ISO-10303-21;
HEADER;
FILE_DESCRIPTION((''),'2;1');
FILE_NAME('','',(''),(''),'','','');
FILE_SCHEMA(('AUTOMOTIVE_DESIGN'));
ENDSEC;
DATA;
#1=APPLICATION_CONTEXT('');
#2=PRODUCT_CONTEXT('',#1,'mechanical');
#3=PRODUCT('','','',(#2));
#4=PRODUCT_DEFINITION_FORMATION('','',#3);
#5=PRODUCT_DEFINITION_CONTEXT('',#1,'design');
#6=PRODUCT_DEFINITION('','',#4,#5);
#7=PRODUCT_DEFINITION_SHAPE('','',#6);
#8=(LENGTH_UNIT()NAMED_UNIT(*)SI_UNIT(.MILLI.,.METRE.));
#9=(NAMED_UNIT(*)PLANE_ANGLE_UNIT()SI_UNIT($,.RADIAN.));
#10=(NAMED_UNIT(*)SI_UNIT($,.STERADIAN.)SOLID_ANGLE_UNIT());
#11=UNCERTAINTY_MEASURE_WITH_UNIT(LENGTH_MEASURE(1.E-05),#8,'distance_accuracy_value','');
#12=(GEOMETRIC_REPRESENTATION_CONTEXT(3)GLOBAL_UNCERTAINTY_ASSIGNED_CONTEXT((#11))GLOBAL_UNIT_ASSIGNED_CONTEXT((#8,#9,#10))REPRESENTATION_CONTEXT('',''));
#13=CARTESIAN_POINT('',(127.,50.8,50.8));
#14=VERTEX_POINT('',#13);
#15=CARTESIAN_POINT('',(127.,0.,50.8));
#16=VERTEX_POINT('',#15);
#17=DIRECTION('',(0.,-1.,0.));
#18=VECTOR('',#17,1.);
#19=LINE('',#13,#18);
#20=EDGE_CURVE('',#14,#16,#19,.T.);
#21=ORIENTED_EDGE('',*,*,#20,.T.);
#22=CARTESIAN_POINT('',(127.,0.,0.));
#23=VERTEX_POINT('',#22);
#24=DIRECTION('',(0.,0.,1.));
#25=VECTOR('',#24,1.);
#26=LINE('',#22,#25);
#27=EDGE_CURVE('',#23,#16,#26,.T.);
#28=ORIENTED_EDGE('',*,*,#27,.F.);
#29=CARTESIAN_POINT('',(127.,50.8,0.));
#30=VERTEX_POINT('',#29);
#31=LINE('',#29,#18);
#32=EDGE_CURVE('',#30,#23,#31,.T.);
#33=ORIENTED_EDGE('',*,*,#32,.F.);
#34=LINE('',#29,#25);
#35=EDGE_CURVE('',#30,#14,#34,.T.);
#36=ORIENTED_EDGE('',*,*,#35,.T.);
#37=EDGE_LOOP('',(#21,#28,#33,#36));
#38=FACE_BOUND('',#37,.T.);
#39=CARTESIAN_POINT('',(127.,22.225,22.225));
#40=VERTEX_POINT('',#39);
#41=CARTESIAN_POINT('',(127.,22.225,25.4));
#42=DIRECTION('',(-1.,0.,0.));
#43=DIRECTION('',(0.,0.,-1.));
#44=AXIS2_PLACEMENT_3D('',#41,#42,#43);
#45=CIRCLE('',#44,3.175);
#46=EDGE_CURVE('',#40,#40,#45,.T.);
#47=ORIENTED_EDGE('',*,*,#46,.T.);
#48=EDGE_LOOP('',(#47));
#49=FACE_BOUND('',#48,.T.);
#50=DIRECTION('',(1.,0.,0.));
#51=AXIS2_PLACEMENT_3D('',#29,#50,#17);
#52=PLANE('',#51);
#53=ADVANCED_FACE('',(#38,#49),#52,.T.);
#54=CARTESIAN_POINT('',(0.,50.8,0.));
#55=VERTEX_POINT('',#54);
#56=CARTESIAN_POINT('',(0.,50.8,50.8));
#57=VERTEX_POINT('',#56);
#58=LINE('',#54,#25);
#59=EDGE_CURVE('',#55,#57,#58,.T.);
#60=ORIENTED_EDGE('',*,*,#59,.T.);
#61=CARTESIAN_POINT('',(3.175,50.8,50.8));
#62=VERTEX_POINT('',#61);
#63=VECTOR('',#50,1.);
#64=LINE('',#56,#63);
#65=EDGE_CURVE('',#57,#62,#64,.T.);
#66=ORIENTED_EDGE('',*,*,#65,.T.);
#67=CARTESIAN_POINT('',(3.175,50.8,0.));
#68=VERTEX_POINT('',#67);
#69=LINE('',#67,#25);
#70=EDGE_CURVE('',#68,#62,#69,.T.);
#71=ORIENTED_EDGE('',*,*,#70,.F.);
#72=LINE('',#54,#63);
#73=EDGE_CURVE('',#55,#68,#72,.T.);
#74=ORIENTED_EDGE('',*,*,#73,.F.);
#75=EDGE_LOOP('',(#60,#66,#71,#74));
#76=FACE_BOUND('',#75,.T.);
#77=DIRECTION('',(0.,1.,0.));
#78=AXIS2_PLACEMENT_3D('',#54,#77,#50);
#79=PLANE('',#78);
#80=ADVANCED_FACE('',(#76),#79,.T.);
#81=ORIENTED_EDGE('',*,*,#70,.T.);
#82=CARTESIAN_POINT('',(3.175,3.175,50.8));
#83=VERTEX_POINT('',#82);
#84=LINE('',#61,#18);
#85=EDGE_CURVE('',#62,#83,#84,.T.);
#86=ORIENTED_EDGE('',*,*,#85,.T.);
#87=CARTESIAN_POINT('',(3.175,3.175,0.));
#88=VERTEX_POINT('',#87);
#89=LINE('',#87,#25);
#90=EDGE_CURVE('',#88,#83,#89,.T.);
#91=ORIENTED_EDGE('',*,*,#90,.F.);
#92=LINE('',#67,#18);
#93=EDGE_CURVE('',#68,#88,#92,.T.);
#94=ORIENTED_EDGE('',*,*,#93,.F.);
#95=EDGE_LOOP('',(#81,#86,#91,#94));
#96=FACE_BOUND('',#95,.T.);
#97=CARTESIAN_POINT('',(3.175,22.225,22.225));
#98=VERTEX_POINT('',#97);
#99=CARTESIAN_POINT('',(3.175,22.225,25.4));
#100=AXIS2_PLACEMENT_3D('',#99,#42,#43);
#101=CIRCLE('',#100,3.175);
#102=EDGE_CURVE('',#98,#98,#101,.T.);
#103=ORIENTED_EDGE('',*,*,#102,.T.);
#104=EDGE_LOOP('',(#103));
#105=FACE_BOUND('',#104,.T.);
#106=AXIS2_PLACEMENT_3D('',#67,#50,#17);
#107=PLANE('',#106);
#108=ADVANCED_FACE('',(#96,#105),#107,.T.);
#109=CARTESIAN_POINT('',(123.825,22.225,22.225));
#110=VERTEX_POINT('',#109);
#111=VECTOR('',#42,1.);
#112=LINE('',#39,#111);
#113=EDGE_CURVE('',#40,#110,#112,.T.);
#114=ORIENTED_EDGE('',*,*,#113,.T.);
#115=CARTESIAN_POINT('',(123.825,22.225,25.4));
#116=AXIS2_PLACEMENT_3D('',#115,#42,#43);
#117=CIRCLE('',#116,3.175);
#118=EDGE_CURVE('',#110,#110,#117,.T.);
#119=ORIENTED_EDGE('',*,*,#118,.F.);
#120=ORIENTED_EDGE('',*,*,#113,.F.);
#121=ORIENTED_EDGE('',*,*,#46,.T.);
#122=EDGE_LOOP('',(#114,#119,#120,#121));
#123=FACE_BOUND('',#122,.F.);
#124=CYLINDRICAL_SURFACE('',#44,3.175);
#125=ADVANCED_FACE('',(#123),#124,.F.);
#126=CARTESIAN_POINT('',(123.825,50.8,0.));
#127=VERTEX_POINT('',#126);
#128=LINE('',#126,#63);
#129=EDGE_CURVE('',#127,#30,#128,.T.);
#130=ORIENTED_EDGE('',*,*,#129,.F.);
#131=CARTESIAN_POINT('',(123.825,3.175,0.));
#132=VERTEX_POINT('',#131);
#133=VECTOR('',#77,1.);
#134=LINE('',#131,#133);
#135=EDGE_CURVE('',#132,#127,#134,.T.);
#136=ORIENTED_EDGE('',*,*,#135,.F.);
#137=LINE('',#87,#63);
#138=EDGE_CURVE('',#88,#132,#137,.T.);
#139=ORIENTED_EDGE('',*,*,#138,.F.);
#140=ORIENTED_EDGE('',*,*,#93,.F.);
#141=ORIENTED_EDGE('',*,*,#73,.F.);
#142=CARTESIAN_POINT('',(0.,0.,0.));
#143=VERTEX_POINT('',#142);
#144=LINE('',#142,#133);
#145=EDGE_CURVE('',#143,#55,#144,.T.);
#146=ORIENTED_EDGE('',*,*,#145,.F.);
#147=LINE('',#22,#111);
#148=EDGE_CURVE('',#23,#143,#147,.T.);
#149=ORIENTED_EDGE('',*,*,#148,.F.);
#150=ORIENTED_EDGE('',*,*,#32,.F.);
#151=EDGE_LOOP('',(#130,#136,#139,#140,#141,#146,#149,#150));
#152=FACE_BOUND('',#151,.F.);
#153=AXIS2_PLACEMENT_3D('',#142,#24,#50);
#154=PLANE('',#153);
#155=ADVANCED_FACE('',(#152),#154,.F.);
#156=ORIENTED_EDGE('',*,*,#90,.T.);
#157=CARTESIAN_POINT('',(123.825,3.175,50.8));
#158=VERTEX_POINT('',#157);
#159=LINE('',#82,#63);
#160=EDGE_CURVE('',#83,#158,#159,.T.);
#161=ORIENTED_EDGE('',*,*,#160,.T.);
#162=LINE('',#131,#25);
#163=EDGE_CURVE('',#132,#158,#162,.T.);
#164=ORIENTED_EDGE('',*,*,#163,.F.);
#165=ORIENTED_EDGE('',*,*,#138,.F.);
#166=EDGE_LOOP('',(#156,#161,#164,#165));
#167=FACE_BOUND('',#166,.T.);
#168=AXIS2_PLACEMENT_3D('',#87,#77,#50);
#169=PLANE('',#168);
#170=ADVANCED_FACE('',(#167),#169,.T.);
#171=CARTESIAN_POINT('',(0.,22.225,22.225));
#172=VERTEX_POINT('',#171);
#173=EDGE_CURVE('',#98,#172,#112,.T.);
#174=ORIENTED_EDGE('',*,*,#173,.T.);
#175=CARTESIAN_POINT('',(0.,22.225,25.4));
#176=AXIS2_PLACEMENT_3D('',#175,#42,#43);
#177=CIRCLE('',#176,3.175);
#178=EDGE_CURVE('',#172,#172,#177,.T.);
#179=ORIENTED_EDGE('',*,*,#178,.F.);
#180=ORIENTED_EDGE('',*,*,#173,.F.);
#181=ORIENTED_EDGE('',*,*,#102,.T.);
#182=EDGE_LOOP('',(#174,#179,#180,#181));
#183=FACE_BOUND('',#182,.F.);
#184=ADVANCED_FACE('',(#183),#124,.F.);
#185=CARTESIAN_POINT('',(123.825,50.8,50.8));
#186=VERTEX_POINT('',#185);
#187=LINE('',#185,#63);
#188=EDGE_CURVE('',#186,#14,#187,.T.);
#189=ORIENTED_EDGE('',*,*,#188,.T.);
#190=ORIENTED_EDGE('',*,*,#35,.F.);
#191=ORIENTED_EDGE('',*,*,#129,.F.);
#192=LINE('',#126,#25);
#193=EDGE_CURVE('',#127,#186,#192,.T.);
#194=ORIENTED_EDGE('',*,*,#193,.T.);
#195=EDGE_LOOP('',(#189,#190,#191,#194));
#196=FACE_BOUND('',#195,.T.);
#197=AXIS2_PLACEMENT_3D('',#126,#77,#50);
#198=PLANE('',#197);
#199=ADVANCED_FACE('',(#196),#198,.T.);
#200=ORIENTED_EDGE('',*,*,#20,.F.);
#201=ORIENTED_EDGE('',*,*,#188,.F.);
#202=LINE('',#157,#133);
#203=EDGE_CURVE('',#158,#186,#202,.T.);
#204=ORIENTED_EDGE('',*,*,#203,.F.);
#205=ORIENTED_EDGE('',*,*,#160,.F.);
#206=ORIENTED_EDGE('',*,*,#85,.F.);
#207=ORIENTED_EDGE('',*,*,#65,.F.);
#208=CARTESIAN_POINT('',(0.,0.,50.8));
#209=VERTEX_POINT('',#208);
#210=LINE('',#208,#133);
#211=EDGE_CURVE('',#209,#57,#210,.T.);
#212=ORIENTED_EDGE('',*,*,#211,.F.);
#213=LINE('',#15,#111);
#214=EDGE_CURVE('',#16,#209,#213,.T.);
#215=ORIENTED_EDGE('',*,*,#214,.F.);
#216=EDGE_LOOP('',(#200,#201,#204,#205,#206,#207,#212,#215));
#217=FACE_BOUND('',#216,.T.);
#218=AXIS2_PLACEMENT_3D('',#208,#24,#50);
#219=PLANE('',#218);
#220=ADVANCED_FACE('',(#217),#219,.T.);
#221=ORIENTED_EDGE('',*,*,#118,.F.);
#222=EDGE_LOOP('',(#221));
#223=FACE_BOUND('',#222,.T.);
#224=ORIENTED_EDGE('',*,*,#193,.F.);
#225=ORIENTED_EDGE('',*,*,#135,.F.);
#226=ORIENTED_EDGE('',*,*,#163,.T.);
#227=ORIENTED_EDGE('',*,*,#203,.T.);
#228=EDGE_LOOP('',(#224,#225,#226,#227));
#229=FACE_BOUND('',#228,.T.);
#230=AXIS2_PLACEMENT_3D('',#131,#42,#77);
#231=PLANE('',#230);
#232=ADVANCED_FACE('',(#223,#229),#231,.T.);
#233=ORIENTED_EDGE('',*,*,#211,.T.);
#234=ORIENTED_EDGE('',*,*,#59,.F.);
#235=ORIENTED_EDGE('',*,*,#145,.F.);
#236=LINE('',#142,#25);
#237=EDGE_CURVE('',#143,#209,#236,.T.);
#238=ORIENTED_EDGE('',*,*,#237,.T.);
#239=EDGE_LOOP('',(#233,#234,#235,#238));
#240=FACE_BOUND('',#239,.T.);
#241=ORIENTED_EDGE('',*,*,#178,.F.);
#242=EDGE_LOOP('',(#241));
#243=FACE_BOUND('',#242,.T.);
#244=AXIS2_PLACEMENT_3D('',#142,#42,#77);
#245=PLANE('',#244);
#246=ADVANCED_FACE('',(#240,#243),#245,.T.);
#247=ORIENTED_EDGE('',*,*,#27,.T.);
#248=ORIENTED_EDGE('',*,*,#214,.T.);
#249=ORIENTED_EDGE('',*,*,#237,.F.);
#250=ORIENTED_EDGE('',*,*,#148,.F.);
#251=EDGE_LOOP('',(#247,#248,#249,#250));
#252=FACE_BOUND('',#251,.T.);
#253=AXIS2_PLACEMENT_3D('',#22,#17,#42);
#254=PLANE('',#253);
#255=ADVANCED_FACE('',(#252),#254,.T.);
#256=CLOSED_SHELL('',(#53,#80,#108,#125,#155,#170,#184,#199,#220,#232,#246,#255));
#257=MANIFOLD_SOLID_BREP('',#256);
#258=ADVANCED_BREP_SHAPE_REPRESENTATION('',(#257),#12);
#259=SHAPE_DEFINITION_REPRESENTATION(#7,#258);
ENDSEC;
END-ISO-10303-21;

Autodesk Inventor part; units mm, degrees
ref_plane "YZ Plane" through (0, 0, 0) normal (1, 0, 0) x (0, 1, 0)
ref_plane "XZ Plane" through (0, 0, 0) normal (0, 1, 0) x (-1, 0, 0)
ref_plane "XY Plane" through (0, 0, 0) normal (0, 0, 1) x (1, 0, 0)
sketch "Sketch1" plane through (0, 0, 0) normal (0, 0, 1) x (1, 0, 0)
  line L0 (0, 0) -> (0, 50.8)
  line L1 (0, 50.8) -> (3.175, 50.8)
  line L2 (3.175, 50.8) -> (3.175, 3.175)
  line L3 (3.175, 3.175) -> (123.825, 3.175)
  line L4 (123.825, 3.175) -> (123.825, 50.8)
  line L5 (123.825, 50.8) -> (127, 50.8)
  line L6 (127, 50.8) -> (127, 0)
  line L7 (127, 0) -> (0, 0)
  dimension "d0" = 3.175
  dimension "d2" = 3.175
  dimension "d3" = 3.175
  dimension "d4" = 127
  dimension "d5" = 50.8
extrude "Extrusion1" add sketch "Sketch1" along normal blind 50.8
sketch "Sketch2" plane through (127, 0, 0) normal (1, 0, 0) x (0, 0, -1)
  line L0 (0, 50.8) -> (0, 0) projected
  line L1 (0, 50.8) -> (-50.8, 50.8) projected
  line L2 (-50.8, 0) -> (-50.8, 50.8) projected
  line L3 (0, 0) -> (-50.8, 0) projected
  point P0 (0, 0)
  point P1 (-25.4, 22.225)
  dimension "d8" = 25.4
  dimension "d9" = 25.4
  dimension "d10" = 22.225
hole "Hole1" at (127, 22.225, 25.4) direction (-1, 0, 0) diameter 6.35 end through all
equation "\"d2\" = d0"
equation "\"d3\" = d0"
equation "\"d8\" = d9"
properties part number "ScissorLIftBracketOutside"
